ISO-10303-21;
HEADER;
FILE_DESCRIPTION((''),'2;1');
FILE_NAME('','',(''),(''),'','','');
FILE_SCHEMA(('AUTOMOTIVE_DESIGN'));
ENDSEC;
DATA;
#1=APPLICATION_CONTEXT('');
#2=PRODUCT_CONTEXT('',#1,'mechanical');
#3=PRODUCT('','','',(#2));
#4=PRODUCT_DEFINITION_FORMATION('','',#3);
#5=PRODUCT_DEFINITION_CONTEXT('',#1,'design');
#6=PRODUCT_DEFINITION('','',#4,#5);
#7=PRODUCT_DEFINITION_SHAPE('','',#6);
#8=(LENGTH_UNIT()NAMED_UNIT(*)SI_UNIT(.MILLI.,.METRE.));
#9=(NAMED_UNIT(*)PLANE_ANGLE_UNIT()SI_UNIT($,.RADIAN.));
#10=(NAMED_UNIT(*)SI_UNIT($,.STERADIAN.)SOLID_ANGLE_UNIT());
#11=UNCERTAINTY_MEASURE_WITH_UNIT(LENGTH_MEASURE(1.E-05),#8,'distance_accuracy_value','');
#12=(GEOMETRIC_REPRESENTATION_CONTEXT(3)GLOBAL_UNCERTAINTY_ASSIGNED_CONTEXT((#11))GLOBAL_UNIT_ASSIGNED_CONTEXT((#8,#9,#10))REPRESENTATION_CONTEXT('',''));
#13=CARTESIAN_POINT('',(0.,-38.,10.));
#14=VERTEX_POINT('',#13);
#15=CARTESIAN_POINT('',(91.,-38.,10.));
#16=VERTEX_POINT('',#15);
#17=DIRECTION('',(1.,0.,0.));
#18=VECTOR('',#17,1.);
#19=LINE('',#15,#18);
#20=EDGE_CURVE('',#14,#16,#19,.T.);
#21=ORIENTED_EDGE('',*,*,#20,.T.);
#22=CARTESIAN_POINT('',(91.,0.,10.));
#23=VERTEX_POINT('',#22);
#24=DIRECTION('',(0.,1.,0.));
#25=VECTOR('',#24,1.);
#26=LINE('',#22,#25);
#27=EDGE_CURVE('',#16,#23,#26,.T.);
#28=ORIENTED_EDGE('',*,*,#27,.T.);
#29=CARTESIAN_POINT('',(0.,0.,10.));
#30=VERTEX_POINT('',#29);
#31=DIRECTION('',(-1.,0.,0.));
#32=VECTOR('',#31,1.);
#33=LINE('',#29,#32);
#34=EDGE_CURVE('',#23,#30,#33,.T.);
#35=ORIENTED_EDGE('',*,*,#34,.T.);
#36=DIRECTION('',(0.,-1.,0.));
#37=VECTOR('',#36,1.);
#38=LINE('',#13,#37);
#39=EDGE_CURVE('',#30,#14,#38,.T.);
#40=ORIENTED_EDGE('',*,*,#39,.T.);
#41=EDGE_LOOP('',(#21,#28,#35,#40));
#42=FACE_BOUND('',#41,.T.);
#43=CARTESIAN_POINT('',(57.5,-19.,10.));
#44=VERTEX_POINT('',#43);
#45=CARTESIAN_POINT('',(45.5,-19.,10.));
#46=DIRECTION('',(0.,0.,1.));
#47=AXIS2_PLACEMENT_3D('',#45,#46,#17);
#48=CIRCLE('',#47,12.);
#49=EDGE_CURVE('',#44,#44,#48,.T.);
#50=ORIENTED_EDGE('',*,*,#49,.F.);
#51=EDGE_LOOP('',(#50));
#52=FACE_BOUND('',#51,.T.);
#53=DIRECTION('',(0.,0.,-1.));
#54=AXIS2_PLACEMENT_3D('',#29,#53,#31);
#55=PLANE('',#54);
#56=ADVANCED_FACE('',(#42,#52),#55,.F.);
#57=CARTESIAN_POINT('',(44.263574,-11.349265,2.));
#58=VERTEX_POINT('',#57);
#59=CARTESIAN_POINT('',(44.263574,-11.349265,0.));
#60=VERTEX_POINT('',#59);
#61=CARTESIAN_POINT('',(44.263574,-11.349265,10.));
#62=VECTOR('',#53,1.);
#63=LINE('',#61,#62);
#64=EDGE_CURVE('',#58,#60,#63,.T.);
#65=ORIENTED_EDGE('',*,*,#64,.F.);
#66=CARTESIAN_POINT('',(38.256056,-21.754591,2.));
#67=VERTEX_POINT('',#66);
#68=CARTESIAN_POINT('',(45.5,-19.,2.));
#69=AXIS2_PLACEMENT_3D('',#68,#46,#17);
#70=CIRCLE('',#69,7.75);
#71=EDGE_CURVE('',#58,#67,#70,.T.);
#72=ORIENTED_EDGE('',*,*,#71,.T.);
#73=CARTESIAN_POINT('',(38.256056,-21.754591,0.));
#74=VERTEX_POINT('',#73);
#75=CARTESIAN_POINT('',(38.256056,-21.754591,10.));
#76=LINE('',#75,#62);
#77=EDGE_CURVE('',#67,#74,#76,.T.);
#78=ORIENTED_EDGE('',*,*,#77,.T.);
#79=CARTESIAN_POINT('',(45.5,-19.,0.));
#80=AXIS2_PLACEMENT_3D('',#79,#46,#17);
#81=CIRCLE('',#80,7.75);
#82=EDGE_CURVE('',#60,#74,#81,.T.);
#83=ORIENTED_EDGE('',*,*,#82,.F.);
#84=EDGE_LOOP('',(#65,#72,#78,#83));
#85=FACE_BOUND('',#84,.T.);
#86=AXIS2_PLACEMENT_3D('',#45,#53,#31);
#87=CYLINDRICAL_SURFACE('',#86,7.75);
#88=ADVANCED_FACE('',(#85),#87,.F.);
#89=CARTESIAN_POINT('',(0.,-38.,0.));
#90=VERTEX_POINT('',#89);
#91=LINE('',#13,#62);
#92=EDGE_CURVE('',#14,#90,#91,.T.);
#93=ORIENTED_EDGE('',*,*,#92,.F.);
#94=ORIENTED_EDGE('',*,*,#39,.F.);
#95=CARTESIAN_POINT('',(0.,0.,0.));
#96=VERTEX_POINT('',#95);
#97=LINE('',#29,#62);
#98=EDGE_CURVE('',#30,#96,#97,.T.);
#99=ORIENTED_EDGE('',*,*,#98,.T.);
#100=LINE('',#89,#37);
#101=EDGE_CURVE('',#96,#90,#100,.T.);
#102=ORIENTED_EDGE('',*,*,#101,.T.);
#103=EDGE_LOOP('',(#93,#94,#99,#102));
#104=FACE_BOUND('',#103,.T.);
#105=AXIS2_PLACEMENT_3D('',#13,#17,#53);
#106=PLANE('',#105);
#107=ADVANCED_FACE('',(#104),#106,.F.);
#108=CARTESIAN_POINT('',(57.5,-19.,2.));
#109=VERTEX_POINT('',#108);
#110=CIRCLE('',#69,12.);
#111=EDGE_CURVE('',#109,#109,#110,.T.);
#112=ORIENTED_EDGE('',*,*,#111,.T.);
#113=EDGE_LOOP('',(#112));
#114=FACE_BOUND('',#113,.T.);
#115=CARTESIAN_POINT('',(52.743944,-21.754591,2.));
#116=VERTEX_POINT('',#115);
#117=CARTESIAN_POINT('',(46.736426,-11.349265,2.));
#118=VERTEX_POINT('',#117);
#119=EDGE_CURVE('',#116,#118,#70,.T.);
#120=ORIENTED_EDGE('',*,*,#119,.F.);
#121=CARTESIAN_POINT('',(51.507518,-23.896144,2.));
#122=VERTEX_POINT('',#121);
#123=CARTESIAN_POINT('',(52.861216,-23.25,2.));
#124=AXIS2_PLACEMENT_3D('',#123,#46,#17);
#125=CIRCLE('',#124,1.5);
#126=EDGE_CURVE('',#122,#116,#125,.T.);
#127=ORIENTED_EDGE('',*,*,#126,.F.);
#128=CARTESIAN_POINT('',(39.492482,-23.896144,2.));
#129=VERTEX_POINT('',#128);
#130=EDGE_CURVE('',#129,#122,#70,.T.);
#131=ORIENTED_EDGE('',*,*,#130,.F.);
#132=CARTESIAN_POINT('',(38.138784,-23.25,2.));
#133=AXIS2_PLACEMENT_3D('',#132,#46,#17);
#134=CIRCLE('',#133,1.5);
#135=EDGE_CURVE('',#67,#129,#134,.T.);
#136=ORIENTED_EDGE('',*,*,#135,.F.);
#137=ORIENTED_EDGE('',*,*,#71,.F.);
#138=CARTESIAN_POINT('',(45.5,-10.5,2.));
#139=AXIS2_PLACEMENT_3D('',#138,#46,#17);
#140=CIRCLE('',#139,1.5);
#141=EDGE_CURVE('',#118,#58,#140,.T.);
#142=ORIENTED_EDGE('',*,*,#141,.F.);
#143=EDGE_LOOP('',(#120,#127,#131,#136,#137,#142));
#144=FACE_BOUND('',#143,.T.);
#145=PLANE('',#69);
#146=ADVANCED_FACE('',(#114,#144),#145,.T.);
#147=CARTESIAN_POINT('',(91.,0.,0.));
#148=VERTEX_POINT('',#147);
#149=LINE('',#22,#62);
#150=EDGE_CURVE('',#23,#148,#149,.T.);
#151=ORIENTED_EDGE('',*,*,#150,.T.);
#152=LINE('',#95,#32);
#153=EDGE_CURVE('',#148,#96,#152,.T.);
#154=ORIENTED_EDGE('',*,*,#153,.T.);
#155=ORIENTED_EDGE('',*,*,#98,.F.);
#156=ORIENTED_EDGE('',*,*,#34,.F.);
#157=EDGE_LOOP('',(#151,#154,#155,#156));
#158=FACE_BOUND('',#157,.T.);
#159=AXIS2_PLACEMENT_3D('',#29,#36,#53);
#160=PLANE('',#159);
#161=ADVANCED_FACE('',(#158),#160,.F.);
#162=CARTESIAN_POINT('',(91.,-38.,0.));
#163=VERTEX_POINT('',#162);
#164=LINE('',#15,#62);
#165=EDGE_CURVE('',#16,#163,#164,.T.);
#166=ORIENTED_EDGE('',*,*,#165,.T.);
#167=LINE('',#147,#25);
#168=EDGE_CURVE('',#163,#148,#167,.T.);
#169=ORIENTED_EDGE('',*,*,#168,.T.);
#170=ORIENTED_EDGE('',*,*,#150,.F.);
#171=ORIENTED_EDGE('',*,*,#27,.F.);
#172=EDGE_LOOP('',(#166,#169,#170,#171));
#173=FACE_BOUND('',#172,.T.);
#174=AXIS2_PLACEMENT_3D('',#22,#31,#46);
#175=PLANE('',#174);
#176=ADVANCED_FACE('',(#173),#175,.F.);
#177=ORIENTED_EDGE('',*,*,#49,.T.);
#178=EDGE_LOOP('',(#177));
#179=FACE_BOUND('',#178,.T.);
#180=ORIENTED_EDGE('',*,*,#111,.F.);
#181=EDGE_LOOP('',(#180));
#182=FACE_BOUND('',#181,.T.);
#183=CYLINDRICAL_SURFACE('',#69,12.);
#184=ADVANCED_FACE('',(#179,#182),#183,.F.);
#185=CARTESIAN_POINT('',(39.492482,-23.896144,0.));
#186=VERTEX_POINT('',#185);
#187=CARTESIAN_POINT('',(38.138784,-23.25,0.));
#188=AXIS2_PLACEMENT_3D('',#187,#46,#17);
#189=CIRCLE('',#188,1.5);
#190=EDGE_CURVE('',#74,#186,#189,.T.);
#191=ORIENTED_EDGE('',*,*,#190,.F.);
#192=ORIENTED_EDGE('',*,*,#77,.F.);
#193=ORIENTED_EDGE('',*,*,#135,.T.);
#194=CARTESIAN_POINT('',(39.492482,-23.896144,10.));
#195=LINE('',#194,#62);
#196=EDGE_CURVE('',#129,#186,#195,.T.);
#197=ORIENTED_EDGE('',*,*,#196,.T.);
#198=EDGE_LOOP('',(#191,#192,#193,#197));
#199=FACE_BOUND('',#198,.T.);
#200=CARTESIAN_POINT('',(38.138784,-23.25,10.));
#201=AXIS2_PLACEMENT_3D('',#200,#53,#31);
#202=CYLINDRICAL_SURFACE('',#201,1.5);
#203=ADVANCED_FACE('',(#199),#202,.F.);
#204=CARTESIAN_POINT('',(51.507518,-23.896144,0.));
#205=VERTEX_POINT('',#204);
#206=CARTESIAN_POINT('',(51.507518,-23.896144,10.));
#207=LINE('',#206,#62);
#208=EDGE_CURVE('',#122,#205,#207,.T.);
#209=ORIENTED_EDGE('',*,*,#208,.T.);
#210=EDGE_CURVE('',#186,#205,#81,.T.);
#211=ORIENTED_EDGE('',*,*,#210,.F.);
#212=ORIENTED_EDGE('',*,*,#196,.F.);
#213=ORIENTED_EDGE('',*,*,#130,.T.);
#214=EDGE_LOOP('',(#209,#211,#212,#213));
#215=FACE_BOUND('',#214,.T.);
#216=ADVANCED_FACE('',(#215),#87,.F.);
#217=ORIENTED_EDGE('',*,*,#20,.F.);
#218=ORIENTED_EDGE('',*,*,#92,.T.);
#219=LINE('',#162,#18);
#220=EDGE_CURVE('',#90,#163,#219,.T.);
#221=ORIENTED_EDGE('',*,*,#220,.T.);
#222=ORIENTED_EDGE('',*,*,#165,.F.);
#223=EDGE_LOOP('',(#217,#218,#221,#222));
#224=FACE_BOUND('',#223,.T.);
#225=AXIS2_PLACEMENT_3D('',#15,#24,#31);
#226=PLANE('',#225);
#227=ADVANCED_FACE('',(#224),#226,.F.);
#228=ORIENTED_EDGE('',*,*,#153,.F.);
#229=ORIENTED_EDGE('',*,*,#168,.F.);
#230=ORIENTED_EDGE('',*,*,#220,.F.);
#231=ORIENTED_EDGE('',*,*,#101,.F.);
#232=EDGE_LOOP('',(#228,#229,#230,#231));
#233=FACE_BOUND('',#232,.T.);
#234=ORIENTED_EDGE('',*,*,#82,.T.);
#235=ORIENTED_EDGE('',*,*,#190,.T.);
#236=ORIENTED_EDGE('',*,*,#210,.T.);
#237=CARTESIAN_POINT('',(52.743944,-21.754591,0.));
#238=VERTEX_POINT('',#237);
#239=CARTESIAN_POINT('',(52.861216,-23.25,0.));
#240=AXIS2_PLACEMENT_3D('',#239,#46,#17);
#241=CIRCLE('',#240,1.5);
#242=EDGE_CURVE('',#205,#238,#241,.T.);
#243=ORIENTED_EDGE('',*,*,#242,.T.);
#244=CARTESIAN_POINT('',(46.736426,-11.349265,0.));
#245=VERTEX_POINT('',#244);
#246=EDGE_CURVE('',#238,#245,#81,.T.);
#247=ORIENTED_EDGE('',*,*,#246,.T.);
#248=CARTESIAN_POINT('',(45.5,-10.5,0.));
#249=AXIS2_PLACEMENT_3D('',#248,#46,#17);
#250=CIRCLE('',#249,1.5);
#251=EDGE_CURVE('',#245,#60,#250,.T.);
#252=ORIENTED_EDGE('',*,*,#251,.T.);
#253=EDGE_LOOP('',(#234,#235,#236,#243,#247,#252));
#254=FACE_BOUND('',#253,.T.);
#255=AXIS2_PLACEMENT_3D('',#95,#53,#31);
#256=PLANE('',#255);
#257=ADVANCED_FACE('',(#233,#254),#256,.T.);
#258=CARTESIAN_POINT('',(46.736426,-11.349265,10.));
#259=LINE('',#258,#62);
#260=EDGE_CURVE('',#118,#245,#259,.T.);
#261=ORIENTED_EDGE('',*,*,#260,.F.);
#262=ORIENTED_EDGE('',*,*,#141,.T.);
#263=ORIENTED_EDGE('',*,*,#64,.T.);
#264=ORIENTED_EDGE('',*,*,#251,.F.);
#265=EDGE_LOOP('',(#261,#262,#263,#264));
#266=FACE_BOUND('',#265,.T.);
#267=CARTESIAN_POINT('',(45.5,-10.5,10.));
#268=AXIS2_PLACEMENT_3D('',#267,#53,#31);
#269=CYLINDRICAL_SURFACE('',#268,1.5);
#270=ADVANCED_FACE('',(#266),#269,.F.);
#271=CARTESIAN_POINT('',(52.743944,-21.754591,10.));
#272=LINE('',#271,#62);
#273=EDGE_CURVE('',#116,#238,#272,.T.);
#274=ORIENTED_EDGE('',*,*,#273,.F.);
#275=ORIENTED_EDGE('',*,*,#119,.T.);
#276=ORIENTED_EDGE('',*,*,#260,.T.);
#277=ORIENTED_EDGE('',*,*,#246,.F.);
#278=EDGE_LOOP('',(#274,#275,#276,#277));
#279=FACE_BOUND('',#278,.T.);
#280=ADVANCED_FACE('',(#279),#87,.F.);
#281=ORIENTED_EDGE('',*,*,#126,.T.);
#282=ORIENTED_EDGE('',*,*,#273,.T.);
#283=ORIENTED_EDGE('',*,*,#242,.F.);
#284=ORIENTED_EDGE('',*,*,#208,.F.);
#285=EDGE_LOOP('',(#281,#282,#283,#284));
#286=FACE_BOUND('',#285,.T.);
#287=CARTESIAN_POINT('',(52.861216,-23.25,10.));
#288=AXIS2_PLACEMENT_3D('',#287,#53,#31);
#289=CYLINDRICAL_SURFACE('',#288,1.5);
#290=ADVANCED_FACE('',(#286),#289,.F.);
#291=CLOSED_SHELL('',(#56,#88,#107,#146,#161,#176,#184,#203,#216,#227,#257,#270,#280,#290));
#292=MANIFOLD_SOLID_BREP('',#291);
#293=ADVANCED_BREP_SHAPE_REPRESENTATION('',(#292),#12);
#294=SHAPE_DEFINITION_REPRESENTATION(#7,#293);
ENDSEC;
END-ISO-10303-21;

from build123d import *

# Parameters (mm, degrees)
ESQUISSE1_W      = 91
ESQUISSE1_H      = 38
EXTRUSION1_DEPTH = 10
ESQUISSE3_R      = 12
EXTRUSION3_DEPTH = 8


with BuildPart() as part:
    # Esquisse1 → Extrusion1 (new body)
    with BuildSketch(Plane.XY):
        with Locations((45.5, -19)):
            Rectangle(ESQUISSE1_W, ESQUISSE1_H)
        with BuildLine():
            ThreePointArc((44.263573917, -11.349264706), (38.788303121, -15.125), (38.256055836, -21.754591249))
            ThreePointArc((38.256055836, -21.754591249), (36.839745962, -24), (39.492481919, -23.896144045))
            ThreePointArc((39.492481919, -23.896144045), (45.5, -26.75), (51.507518081, -23.896144045))
            ThreePointArc((51.507518081, -23.896144045), (54.160254038, -24), (52.743944164, -21.754591249))
            ThreePointArc((52.743944164, -21.754591249), (52.211696879, -15.125), (46.736426083, -11.349264706))
            ThreePointArc((46.736426083, -11.349264706), (45.5, -9), (44.263573917, -11.349264706))
        make_face(mode=Mode.SUBTRACT)
    extrude(amount=EXTRUSION1_DEPTH)

    # Esquisse3 → Extrusion3 (cut)
    with BuildSketch(Plane.XY.offset(10)):
        with Locations((45.5, -19)):
            Circle(ESQUISSE3_R)
    extrude(amount=-EXTRUSION3_DEPTH, mode=Mode.SUBTRACT)


solid = part.part
